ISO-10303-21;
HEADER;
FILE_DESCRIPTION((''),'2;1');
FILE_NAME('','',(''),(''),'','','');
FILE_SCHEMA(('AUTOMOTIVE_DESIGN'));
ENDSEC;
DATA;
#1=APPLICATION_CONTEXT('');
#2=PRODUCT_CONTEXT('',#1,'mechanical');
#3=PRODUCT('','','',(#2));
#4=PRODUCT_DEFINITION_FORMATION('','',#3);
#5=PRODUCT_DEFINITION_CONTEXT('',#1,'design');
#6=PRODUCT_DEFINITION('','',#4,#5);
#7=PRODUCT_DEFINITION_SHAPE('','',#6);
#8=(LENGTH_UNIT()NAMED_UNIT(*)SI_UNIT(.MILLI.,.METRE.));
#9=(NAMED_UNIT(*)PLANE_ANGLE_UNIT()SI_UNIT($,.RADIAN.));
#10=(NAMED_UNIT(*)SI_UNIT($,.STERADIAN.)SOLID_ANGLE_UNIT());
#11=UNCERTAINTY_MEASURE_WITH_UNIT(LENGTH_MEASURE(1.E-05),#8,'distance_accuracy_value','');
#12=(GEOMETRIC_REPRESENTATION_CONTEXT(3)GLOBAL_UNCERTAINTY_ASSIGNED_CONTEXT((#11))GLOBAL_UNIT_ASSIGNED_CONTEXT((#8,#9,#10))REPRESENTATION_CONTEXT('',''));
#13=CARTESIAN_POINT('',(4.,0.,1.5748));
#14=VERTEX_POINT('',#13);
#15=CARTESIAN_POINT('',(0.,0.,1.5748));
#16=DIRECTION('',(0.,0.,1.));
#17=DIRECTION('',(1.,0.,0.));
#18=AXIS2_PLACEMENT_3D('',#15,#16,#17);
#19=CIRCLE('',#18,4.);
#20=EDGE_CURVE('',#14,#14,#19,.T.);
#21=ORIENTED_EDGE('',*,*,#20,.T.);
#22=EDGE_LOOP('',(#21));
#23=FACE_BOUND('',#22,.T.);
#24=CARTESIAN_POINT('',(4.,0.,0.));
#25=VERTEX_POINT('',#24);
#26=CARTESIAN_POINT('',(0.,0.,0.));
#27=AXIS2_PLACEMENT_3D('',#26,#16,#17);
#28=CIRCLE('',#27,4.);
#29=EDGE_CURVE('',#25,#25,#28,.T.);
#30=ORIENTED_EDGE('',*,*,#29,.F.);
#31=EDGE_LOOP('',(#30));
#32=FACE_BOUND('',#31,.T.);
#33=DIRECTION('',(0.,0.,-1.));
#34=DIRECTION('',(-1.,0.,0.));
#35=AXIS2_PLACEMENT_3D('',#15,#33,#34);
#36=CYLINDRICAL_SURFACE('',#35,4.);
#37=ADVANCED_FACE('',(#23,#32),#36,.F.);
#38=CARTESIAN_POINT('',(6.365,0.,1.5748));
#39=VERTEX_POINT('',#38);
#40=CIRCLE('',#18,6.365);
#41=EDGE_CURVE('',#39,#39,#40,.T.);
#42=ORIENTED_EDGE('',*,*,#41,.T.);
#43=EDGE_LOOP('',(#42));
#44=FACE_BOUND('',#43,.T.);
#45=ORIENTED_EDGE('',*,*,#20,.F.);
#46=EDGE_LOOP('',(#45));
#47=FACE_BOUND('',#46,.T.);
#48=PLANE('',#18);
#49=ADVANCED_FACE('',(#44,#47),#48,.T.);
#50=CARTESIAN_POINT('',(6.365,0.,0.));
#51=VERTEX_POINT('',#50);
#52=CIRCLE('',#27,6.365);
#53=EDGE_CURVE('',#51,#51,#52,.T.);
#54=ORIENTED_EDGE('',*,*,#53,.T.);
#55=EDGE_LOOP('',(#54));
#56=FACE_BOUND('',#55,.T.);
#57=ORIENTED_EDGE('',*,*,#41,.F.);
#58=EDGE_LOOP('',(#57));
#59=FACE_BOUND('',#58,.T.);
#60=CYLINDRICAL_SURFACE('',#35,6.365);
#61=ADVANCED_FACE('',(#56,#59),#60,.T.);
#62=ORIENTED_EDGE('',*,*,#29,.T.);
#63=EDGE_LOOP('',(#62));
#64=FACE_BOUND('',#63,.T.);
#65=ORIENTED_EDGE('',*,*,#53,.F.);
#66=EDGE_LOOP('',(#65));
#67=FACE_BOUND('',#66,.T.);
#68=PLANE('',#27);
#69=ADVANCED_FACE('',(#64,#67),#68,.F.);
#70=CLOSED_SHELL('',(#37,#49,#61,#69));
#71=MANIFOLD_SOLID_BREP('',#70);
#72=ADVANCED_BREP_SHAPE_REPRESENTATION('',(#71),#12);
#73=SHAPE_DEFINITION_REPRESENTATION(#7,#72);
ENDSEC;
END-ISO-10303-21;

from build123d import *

# Parameters (mm, degrees)
SKETCH1_R           = 6.36499997
SKETCH1_R_2         = 4
BOSS_EXTRUDE1_DEPTH = 1.5748


with BuildPart() as part:
    # Sketch1 → Boss-Extrude1 (new body)
    with BuildSketch(Plane.XY):
        Circle(SKETCH1_R)
        Circle(SKETCH1_R_2, mode=Mode.SUBTRACT)
    extrude(amount=BOSS_EXTRUDE1_DEPTH)


solid = part.part
